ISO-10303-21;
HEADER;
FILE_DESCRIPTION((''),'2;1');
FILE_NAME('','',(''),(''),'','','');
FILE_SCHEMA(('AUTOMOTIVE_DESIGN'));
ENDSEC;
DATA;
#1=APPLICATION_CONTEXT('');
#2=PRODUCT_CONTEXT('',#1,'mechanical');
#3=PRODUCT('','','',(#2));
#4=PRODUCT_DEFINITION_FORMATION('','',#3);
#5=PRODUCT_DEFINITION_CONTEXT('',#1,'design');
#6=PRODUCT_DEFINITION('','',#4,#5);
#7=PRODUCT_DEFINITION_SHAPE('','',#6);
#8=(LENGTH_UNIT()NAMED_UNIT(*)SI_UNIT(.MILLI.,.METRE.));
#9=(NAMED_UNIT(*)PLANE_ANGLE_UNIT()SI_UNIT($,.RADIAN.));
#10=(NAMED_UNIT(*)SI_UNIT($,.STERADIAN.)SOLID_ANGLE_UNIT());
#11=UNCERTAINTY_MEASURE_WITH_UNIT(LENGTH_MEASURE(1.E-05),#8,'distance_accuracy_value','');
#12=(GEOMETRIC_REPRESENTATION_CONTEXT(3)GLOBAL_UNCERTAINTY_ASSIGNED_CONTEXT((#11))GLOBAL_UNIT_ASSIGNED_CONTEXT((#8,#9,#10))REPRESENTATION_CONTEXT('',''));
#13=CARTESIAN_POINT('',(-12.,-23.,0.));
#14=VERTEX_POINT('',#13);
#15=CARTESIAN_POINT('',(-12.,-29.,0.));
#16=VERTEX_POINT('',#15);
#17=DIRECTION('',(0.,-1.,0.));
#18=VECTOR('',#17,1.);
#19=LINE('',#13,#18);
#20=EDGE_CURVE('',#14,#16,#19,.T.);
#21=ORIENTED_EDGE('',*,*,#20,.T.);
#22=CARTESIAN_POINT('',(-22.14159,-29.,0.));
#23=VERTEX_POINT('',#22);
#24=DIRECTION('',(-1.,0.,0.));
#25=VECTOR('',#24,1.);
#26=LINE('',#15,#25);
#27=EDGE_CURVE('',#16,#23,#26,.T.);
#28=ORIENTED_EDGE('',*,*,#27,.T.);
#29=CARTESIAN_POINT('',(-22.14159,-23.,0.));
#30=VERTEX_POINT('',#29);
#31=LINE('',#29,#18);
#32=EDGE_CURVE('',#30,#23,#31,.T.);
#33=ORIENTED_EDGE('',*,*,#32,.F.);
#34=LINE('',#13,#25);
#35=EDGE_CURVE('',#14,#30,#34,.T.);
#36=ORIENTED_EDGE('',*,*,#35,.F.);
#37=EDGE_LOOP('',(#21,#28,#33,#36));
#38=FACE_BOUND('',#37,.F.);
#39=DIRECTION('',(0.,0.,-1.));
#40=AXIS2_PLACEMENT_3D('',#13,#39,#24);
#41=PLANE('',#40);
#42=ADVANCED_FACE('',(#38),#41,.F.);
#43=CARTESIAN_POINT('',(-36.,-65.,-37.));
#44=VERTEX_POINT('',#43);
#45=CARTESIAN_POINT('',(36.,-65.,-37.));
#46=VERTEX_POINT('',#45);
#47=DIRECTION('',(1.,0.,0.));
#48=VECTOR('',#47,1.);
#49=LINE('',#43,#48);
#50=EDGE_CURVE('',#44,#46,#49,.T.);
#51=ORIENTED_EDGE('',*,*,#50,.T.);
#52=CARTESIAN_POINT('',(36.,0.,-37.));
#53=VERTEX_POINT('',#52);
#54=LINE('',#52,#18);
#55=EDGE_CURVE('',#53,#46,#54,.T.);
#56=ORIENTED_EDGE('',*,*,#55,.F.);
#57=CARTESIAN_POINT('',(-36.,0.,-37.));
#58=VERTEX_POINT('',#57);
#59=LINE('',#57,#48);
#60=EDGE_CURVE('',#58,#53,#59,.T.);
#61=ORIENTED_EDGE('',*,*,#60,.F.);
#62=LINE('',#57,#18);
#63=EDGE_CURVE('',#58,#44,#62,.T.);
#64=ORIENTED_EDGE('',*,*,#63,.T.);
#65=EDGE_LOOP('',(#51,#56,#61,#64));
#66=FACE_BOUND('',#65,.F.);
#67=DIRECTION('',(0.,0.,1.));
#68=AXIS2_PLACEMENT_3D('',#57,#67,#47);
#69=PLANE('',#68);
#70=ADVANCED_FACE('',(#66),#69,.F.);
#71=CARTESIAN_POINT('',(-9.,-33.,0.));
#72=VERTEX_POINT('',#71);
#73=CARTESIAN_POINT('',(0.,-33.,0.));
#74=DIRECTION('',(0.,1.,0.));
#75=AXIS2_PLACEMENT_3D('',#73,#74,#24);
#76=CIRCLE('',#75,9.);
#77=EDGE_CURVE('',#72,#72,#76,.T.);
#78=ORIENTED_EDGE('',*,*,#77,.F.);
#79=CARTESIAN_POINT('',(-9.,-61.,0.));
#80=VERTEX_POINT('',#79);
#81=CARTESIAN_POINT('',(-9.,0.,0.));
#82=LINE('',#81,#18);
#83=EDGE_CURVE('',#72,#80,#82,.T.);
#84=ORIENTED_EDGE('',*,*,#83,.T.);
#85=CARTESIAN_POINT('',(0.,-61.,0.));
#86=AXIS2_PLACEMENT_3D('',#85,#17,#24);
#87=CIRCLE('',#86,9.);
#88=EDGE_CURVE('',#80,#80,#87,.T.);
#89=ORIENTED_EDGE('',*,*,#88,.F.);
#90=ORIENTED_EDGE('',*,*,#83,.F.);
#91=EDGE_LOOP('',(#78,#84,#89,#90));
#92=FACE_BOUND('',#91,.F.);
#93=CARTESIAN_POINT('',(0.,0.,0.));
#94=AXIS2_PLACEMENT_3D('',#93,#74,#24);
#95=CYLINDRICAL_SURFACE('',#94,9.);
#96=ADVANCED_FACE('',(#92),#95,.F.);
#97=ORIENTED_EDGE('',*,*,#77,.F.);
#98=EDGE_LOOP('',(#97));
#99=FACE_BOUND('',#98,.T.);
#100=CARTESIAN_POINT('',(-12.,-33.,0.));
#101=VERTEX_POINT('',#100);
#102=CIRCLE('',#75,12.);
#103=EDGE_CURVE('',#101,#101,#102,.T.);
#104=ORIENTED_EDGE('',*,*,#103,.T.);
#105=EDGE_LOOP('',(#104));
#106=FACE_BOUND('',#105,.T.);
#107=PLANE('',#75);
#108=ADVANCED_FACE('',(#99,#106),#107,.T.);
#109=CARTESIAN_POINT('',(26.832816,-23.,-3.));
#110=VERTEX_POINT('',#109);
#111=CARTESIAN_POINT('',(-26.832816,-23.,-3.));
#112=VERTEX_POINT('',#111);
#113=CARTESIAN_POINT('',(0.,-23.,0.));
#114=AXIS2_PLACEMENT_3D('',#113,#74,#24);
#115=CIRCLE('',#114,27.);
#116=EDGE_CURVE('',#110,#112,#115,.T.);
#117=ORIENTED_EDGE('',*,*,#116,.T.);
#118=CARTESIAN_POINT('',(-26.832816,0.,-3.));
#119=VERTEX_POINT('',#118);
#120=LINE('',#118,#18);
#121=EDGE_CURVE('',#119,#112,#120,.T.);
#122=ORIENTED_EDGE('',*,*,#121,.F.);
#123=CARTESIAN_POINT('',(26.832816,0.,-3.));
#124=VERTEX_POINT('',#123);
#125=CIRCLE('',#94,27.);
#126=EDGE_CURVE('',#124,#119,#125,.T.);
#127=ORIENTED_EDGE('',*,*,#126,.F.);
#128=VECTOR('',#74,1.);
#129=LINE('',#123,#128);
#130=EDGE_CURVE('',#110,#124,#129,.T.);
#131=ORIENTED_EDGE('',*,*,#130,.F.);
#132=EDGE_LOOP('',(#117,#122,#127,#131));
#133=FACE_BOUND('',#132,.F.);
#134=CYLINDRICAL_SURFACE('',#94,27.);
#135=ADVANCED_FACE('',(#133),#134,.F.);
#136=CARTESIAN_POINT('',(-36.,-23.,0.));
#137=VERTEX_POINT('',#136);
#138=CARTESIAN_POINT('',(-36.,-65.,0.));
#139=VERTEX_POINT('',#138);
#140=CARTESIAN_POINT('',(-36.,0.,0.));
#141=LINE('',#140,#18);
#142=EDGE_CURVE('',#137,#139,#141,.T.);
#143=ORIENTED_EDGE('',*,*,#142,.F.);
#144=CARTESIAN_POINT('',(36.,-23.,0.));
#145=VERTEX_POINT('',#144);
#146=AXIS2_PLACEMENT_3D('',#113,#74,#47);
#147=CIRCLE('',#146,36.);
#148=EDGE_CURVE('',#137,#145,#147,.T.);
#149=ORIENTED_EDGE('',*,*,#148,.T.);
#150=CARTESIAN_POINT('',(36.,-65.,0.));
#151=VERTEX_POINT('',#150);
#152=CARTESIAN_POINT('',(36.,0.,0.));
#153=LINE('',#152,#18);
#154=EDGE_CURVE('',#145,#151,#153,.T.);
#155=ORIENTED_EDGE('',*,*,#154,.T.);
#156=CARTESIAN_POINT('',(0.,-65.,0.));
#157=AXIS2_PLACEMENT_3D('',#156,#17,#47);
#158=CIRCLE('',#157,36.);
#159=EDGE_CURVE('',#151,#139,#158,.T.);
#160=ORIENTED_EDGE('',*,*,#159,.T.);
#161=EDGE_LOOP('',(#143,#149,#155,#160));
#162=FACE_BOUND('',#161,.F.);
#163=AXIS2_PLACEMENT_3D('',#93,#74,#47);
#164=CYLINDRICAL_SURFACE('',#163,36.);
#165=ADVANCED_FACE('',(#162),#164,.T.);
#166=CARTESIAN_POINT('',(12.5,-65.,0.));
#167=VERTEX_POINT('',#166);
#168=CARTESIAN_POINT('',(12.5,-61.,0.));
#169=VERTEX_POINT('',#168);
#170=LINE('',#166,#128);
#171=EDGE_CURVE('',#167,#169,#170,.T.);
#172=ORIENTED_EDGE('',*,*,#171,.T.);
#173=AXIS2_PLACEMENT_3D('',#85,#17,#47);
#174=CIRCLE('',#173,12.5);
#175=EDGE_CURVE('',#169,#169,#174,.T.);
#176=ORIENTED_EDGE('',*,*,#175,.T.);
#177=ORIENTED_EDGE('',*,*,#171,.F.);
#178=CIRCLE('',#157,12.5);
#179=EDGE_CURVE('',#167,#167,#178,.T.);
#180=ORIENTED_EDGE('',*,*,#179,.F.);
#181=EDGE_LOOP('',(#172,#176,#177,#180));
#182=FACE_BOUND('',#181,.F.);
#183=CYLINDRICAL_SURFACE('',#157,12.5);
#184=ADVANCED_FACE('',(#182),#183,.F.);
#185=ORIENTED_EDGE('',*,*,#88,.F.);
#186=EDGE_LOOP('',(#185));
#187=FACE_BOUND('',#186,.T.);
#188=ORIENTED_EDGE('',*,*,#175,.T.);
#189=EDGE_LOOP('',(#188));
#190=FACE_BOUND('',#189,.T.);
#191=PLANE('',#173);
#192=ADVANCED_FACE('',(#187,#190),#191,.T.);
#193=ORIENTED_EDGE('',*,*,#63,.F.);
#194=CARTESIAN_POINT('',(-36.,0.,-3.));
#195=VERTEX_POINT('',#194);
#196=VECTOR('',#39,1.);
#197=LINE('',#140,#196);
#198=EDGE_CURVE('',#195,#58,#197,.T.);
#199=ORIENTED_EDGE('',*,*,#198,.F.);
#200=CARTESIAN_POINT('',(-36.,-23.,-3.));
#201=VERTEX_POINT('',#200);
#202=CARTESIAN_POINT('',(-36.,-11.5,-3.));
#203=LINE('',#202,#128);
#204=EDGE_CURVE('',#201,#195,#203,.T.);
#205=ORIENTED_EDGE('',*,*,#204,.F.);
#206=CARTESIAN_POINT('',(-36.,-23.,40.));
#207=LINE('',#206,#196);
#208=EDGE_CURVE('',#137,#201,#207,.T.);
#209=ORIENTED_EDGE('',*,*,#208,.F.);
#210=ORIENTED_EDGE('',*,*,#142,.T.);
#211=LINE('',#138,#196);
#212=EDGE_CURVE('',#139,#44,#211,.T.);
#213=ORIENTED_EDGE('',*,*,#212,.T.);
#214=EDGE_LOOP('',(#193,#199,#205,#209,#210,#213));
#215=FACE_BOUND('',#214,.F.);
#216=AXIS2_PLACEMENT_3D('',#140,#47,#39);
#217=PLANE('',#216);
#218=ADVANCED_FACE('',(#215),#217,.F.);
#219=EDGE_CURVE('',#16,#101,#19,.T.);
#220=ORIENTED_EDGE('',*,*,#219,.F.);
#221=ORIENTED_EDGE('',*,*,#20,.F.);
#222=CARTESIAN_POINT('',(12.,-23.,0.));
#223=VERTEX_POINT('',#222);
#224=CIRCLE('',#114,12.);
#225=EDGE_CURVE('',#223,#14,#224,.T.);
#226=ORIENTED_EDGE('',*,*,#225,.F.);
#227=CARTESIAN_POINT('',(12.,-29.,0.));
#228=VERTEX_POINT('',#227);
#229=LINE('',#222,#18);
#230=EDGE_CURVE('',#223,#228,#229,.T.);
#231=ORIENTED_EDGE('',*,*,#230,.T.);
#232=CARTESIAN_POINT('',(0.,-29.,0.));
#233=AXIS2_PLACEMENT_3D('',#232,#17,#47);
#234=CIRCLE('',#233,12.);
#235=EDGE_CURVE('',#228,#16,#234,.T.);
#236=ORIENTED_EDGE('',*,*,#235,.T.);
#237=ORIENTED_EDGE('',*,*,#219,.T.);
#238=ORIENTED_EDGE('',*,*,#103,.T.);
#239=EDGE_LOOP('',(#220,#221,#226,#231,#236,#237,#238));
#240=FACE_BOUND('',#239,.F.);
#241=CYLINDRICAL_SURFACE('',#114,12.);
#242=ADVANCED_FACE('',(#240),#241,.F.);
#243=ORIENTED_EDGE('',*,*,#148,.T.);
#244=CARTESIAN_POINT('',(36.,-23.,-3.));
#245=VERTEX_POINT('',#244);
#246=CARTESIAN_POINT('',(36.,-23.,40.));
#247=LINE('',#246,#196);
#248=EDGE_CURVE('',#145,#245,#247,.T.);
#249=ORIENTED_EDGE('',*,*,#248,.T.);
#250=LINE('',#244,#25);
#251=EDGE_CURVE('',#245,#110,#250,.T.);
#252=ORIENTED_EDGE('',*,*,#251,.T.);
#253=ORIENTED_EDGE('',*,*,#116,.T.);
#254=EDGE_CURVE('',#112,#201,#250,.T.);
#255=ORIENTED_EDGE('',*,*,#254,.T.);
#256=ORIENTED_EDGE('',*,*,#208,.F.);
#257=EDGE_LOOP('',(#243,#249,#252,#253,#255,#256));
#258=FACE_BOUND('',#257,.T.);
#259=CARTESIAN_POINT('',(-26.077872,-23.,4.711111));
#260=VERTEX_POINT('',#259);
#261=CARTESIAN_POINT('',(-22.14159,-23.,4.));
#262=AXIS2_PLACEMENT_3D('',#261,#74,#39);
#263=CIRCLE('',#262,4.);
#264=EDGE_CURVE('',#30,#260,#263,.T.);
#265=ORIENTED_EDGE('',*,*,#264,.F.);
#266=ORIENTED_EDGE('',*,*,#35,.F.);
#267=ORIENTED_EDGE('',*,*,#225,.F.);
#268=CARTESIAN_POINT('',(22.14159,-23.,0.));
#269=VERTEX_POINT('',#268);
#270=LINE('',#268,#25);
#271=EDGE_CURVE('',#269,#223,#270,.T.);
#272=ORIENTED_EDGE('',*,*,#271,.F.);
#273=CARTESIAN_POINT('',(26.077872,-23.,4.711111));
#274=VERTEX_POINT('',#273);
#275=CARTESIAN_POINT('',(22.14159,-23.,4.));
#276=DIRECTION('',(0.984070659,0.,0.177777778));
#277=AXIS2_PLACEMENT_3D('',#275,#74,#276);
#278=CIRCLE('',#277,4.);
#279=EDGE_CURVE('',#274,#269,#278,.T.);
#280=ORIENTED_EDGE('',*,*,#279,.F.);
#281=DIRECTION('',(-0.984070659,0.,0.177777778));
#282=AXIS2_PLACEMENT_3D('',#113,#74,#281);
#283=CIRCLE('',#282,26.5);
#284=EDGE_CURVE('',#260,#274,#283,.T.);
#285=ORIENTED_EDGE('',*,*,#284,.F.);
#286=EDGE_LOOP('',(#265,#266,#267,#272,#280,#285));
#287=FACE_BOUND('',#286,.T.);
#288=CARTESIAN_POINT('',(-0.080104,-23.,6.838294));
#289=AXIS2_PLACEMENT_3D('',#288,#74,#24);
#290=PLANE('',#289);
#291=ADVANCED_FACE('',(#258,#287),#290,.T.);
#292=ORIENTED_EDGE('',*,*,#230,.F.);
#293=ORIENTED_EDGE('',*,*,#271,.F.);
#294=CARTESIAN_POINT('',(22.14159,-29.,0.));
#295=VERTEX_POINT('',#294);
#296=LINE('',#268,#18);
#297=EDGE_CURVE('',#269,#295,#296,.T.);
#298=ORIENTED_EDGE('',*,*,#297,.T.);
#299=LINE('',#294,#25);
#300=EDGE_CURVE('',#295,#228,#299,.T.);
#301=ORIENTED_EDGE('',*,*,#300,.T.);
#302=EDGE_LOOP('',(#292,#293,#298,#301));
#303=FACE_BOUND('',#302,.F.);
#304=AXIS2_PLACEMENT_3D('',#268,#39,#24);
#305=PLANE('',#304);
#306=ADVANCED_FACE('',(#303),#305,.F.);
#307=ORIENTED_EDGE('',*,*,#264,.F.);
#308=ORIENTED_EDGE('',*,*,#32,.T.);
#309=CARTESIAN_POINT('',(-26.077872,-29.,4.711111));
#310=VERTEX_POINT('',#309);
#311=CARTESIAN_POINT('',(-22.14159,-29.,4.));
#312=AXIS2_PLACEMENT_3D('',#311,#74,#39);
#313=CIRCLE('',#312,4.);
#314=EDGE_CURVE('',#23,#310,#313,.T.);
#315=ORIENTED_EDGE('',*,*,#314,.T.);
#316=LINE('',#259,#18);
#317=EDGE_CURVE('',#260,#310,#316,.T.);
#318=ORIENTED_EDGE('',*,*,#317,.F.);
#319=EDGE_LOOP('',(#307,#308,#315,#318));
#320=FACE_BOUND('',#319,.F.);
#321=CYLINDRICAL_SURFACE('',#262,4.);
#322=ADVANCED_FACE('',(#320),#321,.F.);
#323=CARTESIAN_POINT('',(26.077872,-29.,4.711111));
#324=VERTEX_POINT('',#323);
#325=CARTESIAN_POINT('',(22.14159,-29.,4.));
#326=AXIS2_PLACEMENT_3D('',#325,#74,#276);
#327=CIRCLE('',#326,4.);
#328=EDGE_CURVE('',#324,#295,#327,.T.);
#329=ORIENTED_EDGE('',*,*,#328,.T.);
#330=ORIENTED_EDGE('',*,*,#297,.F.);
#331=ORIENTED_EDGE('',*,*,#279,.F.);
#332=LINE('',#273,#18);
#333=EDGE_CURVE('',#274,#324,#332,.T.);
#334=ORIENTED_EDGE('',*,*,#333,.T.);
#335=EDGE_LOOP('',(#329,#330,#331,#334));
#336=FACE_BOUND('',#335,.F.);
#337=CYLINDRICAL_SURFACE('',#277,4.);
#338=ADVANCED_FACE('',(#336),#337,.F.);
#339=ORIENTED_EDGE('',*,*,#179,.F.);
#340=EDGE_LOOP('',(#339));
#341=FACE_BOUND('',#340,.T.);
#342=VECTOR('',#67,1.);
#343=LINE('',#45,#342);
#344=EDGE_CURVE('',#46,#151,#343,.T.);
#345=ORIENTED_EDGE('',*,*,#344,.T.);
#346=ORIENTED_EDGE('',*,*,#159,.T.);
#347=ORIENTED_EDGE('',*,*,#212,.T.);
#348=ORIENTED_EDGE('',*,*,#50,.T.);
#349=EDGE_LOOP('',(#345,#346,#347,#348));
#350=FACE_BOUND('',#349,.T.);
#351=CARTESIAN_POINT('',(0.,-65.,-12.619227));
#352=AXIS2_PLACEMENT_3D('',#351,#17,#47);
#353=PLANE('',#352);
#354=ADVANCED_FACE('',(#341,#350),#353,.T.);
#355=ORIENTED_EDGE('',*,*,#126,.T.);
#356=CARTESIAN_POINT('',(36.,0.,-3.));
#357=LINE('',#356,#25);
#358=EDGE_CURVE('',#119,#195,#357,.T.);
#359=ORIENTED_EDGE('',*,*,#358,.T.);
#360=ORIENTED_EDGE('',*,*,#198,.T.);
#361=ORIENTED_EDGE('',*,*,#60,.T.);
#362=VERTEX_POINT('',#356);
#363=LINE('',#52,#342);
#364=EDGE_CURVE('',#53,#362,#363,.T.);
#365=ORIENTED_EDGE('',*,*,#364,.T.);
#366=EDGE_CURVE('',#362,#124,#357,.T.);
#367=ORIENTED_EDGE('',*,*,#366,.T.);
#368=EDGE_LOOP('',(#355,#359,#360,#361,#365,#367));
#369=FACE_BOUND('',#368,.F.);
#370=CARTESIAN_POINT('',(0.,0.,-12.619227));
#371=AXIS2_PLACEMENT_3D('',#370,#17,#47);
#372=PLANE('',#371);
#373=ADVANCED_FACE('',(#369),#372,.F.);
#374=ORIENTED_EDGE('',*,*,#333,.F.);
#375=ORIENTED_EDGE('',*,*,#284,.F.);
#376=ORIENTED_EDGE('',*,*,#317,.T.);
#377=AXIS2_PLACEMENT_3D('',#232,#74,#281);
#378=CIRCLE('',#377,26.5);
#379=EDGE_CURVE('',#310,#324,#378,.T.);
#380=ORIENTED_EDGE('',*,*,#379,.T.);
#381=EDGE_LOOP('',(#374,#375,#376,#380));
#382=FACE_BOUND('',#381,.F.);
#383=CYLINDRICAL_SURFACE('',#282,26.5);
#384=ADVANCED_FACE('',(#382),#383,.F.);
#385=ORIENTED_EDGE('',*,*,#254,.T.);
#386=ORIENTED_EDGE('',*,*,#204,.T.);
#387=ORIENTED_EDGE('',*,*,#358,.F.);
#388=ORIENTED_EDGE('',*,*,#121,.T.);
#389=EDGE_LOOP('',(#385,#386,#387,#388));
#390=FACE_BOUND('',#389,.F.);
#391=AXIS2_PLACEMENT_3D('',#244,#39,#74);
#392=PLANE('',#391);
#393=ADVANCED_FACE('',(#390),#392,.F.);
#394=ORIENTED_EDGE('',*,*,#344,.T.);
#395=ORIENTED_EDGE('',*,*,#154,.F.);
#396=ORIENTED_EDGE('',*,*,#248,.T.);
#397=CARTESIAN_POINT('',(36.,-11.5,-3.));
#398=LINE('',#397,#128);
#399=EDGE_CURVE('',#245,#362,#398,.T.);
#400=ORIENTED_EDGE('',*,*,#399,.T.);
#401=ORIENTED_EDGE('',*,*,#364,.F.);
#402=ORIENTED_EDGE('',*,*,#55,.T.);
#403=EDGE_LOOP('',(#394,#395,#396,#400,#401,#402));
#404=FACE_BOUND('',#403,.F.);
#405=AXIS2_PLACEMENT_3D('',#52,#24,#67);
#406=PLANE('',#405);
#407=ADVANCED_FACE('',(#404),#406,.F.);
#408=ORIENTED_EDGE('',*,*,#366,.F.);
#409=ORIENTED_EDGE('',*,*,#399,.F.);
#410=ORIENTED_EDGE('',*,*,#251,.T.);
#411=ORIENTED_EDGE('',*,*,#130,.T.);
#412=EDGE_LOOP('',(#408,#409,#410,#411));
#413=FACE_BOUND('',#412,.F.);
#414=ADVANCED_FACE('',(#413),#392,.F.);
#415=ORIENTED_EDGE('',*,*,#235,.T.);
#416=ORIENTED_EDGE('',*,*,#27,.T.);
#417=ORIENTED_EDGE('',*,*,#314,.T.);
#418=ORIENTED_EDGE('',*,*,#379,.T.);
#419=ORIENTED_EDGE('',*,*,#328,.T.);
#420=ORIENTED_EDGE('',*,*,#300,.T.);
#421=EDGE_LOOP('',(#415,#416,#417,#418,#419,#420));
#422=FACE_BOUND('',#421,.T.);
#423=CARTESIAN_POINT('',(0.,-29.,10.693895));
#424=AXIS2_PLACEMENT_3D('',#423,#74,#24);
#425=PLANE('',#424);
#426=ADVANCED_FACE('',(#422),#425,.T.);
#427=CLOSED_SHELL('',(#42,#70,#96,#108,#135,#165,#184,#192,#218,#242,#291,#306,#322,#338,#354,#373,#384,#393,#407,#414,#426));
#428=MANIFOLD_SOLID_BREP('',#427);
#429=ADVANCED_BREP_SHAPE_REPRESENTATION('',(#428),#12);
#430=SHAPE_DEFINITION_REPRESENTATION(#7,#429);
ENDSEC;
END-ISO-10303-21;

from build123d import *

# Parameters (mm, degrees)
F1_DEPTH  = 65
F2_R      = 12.5
F2_R_2    = 9
F3_DEPTH  = 4
F4_W      = 23
F4_H      = 40
F4_H_2    = 3
F5_DEPTH  = 72
F7_DEPTH  = 23
F8_R      = 12
F8_R_2    = 9
F9_DEPTH  = 10
F11_DEPTH = 6


with BuildPart() as f1:
    # F0 (on Front) → F1 (new body)
    with BuildSketch(Plane.XZ):
        with BuildLine():
            Line((36, 0), (9, 0))
            ThreePointArc((9, 0), (0, -9), (-9, 0))
            Line((-9, 0), (-36, 0))
            ThreePointArc((-36, 0), (0, -36), (36, 0))
        make_face()
        with BuildLine():
            ThreePointArc((-9, 0), (0, 9), (9, 0))
            Line((9, 0), (36, 0))
            ThreePointArc((36, 0), (0, 36), (-36, 0))
            Line((-36, 0), (-9, 0))
        make_face()
        with BuildLine():
            Line((36, -37), (36, 0))
            ThreePointArc((36, 0), (0, -36), (-36, 0))
            Line((-36, 0), (-36, -37))
            Line((-36, -37), (36, -37))
        make_face()
    extrude(amount=F1_DEPTH)

    # F2 (on face) → F3 (cut)
    with BuildSketch(Plane.XZ.offset(65)):
        Circle(F2_R)
        Circle(F2_R_2, mode=Mode.SUBTRACT)
    extrude(amount=-F3_DEPTH, mode=Mode.SUBTRACT)

    # F4 (on face) → F5 (cut)
    with BuildSketch(Plane.YZ.offset(36)):
        with Locations((-11.5, 20)):
            Rectangle(F4_W, F4_H)
        with Locations((-11.5, -1.5)):
            Rectangle(F4_W, F4_H_2)
    extrude(amount=-F5_DEPTH, mode=Mode.SUBTRACT)

    # F6 (on face) → F7 (cut)
    with BuildSketch(Plane(origin=(0, 0, 0), x_dir=(-1, 0, 0), z_dir=(0, 1, 0))):
        with BuildLine():
            ThreePointArc((26.83281573, -3), (26.9581715321, -1.5023274094), (27, 0))
            ThreePointArc((27, 0), (-1.5023274094, 26.9581715321), (-26.83281573, -3))
            Line((-26.83281573, -3), (-8.4852813742, -3))
            ThreePointArc((-8.4852813742, -3), (0, -9), (8.4852813742, -3))
            Line((8.4852813742, -3), (26.83281573, -3))
        make_face()
        with BuildLine():
            Line((-8.4852813742, -3), (-26.83281573, -3))
            ThreePointArc((-26.83281573, -3), (0, -27), (26.83281573, -3))
            Line((26.83281573, -3), (8.4852813742, -3))
            ThreePointArc((8.4852813742, -3), (0, -9), (-8.4852813742, -3))
        make_face()
    extrude(amount=-F7_DEPTH, mode=Mode.SUBTRACT)

    # F8 (on face) → F9 (cut)
    with BuildSketch(Plane(origin=(0, -23, 0), x_dir=(-1, 0, 0), z_dir=(0, 1, 0))):
        Circle(F8_R)
        Circle(F8_R_2, mode=Mode.SUBTRACT)
    extrude(amount=-F9_DEPTH, mode=Mode.SUBTRACT)

    # F10 (on face) → F11 (cut)
    with BuildSketch(Plane(origin=(0, -23, 0), x_dir=(-1, 0, 0), z_dir=(0, 1, 0))):
        with BuildLine():
            ThreePointArc((22.1415898255, 0), (25.2111536743, 1.4352821251), (26.0778724611, 4.7111111111))
            ThreePointArc((26.0778724611, 4.7111111111), (0, 26.5), (-26.0778724611, 4.7111111111))
            ThreePointArc((-26.0778724611, 4.7111111111), (-25.2111536743, 1.4352821251), (-22.1415898255, 0))
            Line((-22.1415898255, 0), (-12, 0))
            ThreePointArc((-12, 0), (0, 12), (12, 0))
            Line((12, 0), (22.1415898255, 0))
        make_face()
    extrude(amount=-F11_DEPTH, mode=Mode.SUBTRACT)


solid = f1.part
